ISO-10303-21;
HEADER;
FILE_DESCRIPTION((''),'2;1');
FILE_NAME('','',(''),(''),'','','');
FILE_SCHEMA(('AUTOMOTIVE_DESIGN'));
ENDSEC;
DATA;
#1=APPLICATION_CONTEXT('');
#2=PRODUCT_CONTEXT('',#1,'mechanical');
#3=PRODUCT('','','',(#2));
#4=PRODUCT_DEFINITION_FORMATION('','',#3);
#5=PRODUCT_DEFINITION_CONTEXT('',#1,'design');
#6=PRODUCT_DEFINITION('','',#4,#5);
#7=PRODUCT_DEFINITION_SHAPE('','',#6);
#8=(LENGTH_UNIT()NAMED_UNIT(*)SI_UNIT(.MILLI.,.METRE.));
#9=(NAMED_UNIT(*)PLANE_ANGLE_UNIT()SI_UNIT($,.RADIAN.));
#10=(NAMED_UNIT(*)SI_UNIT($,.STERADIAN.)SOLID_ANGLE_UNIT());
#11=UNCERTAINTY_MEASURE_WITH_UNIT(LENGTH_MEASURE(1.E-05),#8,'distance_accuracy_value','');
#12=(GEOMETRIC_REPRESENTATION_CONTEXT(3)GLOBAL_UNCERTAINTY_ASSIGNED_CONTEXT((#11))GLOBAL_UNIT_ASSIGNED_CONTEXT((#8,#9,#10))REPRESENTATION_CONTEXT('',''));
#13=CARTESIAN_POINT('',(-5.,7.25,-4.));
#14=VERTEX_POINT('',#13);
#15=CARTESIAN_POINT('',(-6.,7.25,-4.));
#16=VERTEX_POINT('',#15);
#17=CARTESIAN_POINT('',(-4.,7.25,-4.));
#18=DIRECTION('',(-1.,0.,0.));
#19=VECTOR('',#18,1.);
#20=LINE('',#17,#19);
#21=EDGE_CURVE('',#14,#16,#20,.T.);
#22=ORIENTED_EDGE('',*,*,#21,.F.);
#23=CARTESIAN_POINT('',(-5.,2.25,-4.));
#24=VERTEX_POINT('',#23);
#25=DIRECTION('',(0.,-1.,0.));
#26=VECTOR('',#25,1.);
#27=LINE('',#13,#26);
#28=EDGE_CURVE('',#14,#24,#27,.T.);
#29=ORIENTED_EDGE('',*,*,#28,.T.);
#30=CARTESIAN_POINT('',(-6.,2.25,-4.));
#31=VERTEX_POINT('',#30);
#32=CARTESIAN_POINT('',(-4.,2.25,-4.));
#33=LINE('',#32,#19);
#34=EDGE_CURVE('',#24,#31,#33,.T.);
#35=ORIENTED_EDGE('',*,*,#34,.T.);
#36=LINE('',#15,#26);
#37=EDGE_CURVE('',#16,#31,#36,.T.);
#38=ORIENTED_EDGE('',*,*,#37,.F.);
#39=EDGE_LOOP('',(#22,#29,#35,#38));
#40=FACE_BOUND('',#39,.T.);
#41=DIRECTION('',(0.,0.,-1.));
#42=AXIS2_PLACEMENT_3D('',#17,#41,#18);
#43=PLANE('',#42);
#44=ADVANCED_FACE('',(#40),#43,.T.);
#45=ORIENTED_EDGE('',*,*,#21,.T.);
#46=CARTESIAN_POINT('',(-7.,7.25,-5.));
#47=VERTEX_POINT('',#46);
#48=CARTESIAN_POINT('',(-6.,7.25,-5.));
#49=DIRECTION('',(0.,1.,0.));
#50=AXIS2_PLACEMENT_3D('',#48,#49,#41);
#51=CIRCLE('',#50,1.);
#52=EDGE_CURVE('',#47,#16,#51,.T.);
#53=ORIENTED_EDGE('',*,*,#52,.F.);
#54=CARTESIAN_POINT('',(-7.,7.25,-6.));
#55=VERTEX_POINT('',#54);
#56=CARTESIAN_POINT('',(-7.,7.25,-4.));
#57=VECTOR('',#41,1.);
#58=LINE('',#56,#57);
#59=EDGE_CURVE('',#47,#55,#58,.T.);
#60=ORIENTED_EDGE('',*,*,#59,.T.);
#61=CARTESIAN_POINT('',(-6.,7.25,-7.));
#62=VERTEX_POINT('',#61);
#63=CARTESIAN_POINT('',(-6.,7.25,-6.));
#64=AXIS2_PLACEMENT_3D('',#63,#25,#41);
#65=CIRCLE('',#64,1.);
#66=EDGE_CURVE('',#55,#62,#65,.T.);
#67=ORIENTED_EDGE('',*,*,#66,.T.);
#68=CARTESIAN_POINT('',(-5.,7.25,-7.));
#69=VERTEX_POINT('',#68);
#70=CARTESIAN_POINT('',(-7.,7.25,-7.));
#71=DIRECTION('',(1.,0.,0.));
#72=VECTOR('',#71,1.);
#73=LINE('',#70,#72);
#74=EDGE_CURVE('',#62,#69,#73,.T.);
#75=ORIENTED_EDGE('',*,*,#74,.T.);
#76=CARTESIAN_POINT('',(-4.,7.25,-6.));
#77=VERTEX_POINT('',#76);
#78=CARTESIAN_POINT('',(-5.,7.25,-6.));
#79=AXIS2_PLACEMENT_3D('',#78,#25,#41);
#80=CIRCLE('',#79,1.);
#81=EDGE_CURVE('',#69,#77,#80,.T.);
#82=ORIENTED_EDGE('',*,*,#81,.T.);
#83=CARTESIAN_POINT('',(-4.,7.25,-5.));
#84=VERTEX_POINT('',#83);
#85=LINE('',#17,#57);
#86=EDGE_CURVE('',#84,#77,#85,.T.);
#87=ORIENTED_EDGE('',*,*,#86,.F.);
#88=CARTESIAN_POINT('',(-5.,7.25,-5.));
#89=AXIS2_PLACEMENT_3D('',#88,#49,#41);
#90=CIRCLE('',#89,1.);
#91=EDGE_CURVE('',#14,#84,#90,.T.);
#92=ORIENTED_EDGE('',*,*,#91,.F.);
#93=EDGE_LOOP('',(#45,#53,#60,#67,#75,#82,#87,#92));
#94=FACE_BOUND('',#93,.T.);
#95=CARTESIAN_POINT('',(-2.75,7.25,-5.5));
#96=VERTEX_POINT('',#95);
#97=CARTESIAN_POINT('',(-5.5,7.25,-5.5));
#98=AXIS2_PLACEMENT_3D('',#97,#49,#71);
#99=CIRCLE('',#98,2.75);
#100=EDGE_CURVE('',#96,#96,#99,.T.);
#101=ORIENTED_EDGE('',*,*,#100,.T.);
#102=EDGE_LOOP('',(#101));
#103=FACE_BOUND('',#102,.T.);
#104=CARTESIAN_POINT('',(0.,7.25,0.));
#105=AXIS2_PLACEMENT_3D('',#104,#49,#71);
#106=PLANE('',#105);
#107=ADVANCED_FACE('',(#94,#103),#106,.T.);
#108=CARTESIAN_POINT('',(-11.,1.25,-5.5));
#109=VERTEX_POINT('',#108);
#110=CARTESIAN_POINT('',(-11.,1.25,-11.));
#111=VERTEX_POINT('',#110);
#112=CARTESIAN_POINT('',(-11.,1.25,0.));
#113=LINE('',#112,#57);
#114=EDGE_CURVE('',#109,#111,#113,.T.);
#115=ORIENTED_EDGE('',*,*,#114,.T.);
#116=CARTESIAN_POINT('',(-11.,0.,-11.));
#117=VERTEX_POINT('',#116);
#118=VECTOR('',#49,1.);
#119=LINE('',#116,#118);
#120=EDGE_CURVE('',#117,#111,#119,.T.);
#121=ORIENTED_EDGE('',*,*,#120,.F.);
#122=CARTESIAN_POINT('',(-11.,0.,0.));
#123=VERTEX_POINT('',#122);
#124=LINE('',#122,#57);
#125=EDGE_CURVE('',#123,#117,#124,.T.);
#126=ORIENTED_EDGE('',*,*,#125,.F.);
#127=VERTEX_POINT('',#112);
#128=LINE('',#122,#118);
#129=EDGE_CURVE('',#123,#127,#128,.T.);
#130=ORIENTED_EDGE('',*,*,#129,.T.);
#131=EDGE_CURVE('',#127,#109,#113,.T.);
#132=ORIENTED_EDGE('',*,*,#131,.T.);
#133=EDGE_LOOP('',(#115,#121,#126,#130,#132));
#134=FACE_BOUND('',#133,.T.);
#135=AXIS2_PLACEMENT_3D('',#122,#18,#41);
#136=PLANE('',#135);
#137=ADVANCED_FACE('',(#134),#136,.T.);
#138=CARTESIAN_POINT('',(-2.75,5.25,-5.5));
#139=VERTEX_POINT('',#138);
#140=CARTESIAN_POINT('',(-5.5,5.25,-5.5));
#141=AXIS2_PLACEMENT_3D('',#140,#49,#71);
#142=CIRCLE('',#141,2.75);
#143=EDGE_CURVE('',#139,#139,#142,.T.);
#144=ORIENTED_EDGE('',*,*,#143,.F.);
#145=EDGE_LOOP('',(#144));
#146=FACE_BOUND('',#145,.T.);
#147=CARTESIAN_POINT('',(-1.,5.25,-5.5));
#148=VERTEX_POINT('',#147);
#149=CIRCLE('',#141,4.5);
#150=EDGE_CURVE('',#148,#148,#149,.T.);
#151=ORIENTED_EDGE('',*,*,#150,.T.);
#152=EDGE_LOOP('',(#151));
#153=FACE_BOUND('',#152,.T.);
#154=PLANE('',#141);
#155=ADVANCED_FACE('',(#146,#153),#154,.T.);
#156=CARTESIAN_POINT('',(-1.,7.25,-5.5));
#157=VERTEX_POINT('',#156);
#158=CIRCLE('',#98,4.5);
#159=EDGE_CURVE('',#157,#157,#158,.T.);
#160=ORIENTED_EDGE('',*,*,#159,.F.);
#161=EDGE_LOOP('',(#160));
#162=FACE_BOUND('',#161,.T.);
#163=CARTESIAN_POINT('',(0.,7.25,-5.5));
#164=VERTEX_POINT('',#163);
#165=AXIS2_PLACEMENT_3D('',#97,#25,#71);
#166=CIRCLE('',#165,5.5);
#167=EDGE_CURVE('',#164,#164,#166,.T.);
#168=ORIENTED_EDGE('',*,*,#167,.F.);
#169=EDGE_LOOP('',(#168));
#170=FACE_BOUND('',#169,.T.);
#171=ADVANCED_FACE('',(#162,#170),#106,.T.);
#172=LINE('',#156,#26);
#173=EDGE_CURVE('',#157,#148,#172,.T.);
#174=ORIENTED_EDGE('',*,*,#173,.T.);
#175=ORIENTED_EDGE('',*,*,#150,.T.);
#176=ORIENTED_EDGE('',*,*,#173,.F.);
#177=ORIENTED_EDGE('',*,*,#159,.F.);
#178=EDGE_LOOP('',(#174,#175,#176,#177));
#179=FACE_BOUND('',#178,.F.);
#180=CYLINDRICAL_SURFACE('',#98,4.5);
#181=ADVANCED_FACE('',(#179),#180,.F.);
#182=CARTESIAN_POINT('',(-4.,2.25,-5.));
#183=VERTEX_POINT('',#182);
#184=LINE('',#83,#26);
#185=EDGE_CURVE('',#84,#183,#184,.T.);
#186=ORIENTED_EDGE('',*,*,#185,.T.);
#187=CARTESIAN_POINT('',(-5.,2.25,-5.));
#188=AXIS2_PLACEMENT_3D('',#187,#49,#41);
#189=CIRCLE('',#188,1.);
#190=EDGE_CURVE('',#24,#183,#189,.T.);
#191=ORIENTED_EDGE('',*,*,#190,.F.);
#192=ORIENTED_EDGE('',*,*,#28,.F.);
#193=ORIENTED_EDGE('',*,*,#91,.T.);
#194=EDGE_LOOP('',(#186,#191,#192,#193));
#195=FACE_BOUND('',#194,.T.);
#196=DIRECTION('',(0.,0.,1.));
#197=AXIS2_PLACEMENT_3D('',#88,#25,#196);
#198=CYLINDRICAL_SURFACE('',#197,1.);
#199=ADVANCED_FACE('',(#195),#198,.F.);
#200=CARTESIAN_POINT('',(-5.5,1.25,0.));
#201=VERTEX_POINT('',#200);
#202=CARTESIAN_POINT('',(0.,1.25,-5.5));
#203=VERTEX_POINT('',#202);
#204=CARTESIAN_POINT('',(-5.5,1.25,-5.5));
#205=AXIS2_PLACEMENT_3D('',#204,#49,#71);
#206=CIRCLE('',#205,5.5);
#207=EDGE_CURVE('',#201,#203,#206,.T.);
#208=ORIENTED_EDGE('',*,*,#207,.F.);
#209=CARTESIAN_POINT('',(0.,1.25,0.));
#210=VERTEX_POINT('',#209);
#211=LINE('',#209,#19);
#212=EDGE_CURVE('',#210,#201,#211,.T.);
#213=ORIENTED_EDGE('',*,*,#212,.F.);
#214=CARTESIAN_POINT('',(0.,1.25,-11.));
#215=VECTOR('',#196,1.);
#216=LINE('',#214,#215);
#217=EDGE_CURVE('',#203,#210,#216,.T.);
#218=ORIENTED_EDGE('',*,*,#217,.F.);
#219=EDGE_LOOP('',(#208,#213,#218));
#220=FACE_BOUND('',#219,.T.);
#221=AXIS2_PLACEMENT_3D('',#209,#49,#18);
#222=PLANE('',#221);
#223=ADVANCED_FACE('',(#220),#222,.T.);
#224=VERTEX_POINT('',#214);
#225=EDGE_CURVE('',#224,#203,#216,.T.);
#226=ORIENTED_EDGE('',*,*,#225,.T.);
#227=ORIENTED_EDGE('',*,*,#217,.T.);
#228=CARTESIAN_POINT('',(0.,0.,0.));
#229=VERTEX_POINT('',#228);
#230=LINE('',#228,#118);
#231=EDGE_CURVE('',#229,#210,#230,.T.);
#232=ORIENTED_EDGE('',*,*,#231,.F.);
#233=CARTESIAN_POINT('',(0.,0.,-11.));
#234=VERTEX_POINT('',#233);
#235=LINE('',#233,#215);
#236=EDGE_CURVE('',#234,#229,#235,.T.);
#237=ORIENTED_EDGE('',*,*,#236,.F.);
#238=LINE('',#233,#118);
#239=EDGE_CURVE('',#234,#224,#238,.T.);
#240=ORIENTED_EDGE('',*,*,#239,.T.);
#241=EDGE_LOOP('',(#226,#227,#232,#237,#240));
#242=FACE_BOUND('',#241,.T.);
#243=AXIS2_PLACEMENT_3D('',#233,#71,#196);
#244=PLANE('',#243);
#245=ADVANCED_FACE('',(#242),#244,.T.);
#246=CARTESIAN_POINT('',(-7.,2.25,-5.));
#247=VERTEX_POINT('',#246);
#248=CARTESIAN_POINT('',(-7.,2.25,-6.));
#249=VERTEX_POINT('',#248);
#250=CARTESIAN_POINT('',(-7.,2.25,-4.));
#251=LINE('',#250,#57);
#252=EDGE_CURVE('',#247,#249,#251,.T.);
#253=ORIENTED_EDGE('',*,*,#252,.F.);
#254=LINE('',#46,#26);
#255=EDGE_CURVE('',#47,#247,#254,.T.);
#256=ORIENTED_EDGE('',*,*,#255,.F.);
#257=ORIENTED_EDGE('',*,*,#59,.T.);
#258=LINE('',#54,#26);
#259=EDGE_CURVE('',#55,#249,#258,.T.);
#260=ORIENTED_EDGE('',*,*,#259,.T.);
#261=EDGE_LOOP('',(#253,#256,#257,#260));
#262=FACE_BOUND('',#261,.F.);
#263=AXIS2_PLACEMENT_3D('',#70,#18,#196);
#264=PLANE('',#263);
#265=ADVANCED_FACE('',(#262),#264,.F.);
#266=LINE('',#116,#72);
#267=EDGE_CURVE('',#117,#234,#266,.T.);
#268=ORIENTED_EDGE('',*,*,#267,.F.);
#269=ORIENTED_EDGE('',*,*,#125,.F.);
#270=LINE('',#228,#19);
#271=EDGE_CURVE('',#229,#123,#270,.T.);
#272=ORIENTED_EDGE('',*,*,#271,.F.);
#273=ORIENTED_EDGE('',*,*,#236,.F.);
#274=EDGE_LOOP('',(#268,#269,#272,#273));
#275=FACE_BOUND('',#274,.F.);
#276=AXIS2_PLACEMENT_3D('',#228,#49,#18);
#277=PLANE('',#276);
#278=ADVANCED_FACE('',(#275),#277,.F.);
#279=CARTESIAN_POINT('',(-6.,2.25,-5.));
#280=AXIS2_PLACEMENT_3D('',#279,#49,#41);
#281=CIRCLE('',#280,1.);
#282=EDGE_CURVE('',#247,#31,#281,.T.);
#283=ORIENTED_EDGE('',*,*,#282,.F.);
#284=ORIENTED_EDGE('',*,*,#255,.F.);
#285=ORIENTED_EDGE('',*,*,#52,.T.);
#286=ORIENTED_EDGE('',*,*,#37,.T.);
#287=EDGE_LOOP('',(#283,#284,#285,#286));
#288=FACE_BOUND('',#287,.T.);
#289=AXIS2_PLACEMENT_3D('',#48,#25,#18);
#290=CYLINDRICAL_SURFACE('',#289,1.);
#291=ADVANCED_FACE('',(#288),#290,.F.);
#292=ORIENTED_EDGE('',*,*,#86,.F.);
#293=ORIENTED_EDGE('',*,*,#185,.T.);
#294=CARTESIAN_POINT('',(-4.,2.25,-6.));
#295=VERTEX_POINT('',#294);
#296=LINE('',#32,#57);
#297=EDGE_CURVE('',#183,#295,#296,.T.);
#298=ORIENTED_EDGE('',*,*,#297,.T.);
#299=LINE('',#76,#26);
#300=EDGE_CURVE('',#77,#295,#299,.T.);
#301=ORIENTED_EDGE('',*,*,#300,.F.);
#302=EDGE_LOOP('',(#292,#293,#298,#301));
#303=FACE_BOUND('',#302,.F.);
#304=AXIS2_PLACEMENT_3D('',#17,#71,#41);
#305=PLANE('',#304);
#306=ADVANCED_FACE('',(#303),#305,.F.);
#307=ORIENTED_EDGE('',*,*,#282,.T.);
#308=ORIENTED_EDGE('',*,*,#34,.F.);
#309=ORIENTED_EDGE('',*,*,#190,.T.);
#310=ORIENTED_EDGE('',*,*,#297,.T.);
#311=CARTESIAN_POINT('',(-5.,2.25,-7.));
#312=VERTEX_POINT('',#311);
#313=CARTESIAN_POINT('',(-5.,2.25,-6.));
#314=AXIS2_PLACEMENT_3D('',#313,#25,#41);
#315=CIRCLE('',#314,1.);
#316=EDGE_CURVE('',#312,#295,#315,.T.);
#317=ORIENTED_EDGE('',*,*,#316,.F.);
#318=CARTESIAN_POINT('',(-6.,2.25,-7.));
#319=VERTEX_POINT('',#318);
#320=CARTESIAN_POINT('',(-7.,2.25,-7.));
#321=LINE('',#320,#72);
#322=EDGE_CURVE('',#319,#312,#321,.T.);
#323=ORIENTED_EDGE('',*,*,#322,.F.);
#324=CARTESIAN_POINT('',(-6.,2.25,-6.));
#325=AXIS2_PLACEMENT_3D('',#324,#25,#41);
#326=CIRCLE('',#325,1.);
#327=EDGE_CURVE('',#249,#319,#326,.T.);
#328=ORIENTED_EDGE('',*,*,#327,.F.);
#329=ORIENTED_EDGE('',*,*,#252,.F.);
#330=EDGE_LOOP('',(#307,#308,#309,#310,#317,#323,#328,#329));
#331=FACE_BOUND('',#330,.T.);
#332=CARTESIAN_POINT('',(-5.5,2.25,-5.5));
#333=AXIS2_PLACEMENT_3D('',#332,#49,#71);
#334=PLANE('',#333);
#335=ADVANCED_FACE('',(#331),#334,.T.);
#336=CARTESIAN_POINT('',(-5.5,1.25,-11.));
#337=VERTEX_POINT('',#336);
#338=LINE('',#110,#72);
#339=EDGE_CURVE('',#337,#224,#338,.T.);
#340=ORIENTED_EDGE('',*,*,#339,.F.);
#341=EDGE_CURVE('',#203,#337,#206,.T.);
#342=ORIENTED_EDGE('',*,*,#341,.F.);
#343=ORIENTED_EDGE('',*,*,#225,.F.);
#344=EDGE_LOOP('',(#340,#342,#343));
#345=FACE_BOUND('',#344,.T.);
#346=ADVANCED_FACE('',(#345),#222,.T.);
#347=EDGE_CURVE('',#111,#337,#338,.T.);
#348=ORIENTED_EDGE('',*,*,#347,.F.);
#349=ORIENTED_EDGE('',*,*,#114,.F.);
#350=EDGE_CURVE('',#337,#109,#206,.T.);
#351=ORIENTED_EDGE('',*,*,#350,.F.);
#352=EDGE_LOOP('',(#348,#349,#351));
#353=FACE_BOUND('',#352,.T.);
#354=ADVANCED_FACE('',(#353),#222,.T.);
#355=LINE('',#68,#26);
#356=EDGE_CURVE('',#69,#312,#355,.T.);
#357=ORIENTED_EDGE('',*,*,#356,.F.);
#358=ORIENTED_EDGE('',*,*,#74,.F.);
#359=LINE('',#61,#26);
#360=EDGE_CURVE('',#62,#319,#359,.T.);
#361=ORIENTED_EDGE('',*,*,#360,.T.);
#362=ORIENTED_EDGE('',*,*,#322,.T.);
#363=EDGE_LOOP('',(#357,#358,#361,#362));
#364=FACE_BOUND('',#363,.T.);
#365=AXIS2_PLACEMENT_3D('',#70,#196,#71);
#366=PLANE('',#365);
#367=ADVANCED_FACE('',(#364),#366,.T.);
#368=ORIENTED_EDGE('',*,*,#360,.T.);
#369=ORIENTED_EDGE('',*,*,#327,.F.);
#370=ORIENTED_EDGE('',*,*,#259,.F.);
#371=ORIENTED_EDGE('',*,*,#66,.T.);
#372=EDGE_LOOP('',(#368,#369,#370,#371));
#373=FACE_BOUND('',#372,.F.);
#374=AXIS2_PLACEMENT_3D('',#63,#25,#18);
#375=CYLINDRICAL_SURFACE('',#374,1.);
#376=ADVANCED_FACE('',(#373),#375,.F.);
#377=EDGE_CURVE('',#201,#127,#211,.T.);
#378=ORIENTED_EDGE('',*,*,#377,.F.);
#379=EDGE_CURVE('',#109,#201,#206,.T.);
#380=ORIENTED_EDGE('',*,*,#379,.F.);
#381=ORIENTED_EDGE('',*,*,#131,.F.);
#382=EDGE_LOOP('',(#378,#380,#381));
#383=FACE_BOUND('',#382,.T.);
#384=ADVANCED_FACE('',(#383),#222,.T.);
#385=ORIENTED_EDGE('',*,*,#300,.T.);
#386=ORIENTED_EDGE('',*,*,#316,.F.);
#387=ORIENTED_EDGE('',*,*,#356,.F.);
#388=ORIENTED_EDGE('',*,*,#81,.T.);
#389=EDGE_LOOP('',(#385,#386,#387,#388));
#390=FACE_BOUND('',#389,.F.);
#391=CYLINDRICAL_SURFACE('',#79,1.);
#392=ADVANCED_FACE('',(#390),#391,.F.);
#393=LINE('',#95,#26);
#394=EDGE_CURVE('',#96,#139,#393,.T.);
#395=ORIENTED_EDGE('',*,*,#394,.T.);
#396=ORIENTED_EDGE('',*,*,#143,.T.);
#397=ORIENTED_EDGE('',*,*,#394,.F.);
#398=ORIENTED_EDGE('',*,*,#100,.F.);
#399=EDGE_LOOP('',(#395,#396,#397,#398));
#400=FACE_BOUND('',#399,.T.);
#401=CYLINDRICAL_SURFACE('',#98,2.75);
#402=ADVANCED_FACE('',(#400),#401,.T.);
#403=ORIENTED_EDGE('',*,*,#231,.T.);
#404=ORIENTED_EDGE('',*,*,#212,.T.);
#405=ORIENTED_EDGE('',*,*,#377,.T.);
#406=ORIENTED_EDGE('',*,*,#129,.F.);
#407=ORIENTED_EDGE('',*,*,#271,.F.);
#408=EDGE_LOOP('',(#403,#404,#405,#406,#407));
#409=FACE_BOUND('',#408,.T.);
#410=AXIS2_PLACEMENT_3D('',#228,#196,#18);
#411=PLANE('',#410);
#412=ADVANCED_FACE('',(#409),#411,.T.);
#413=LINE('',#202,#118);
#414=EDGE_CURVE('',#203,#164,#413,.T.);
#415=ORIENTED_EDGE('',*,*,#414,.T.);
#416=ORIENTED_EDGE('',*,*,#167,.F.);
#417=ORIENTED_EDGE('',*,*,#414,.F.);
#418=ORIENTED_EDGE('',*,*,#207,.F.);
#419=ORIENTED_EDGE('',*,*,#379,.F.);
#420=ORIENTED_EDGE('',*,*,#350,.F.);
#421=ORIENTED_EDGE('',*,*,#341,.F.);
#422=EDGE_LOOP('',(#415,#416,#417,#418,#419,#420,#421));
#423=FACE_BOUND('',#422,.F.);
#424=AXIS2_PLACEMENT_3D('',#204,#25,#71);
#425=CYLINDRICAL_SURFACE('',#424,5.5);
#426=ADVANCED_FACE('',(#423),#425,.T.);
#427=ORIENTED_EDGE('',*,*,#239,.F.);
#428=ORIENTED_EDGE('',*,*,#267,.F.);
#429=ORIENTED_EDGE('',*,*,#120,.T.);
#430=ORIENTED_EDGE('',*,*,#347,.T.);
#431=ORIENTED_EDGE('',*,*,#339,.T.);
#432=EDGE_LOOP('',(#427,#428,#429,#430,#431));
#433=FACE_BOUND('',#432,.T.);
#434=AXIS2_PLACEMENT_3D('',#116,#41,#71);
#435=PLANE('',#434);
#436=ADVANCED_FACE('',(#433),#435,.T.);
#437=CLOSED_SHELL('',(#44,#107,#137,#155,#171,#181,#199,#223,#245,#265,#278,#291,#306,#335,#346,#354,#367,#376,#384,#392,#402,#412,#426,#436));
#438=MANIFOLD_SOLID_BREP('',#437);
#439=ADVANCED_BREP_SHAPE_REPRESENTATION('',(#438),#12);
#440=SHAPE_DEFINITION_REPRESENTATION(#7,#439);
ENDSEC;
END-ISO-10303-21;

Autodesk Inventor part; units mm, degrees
ref_plane "YZ Plane" through (0, 0, 0) normal (1, 0, 0) x (0, 1, 0)
ref_plane "XZ Plane" through (0, 0, 0) normal (0, 1, 0) x (-1, 0, 0)
ref_plane "XY Plane" through (0, 0, 0) normal (0, 0, 1) x (1, 0, 0)
sketch "Boceto1" plane through (0, 0, 0) normal (0, 1, 0) x (-1, 0, 0)
  line L0 (0, 0) -> (11, 0)
  line L1 (11, 0) -> (11, -11)
  line L2 (11, -11) -> (0, -11)
  line L3 (0, -11) -> (0, 0)
  dimension "d0" = 11
  dimension "d1" = 11
extrude "Extrusión1" add sketch "Boceto1" along normal blind 1.25
sketch "Boceto2" plane through (0, 1.25, 0) normal (0, 1, 0) x (1, 0, 0)
  line L0 (-11, 0) -> (0, 0) projected
  line L1 (-11, 11) -> (-11, 0) projected
  line L2 (0, 0) -> (-11, 11)
  line L3 (0, 0) -> (0, 11) projected
  line L4 (0, 11) -> (-11, 0)
  circle A0 centre (-5.5, 5.5) radius 5.5
  dimension "d4" = 11
extrude "Extrusión2" add sketch "Boceto2" along normal blind 6 contours A0 L4 L2 | A0 L2 L4 | L2 L4 A0 | A0 L4 L2
sketch "Boceto4" plane through (-5.5, 7.25, -5.5) normal (0, 1, 0) x (1, 0, 0)
  line L0 (0, 0) -> (-3, 0)
  line L1 (-3, 0) -> (-3, 1.5)
  line L2 (-3, 1.5) -> (-3, -1.5)
  line L3 (-3, -1.5) -> (-1.5, -1.5)
  line L4 (-1.5, -1.5) -> (-1.5, -3)
  line L5 (-1.5, -3) -> (1.5, -3)
  line L6 (1.5, -3) -> (1.5, -1.5)
  line L7 (1.5, -1.5) -> (3, -1.5)
  line L8 (3, -1.5) -> (3, 1.5)
  line L9 (3, 1.5) -> (1.5, 1.5)
  line L10 (1.5, 1.5) -> (1.5, 3)
  line L11 (1.5, 3) -> (-1.5, 3)
  line L12 (-1.5, 3) -> (-1.5, 1.5)
  line L13 (-3, 1.5) -> (-1.5, 1.5)
  line L14 (-1.5, 1.5) -> (-1.5, -1.5)
  line L15 (1.5, -1.5) -> (1.5, 1.5)
  line L16 (-1.5, 1.5) -> (1.5, 1.5)
  line L17 (1.5, -1.5) -> (-1.5, -1.5)
  point P0 (5.5, -5.5)
  dimension "d7" = 3
  dimension "d8" = 1.5
  dimension "d9" = 3
  dimension "d10" = 1.5
  dimension "d11" = 1.5
  dimension "d12" = 3
  dimension "d13" = 1.5
  dimension "d14" = 1.5
  dimension "d15" = 3
  dimension "d16" = 1.5
  dimension "d17" = 1.5
  dimension "d18" = 3
extrude "Extrusión3" cut sketch "Boceto4" against normal blind 5 contours L14 L16 L15 L17
sketch "Boceto8" plane through (-5.5, 7.25, -5.5) normal (0, 1, 0) x (1, 0, 0)
  circle A0 centre (0, 0) radius 2.75
  circle A1 centre (0, 0) radius 4.5
  point P0 (5.5, -5.5)
  dimension "d47" = 5.5
  dimension "d48" = 9
extrude "Extrusión6" cut sketch "Boceto8" against normal blind 2
fillet "Empalme4" radius 1 4 edges at (-7, 4.75, -7) (-4, 4.75, -7) (-4, 4.75, -4) (-7, 4.75, -4)
properties part number "Boton Base"
